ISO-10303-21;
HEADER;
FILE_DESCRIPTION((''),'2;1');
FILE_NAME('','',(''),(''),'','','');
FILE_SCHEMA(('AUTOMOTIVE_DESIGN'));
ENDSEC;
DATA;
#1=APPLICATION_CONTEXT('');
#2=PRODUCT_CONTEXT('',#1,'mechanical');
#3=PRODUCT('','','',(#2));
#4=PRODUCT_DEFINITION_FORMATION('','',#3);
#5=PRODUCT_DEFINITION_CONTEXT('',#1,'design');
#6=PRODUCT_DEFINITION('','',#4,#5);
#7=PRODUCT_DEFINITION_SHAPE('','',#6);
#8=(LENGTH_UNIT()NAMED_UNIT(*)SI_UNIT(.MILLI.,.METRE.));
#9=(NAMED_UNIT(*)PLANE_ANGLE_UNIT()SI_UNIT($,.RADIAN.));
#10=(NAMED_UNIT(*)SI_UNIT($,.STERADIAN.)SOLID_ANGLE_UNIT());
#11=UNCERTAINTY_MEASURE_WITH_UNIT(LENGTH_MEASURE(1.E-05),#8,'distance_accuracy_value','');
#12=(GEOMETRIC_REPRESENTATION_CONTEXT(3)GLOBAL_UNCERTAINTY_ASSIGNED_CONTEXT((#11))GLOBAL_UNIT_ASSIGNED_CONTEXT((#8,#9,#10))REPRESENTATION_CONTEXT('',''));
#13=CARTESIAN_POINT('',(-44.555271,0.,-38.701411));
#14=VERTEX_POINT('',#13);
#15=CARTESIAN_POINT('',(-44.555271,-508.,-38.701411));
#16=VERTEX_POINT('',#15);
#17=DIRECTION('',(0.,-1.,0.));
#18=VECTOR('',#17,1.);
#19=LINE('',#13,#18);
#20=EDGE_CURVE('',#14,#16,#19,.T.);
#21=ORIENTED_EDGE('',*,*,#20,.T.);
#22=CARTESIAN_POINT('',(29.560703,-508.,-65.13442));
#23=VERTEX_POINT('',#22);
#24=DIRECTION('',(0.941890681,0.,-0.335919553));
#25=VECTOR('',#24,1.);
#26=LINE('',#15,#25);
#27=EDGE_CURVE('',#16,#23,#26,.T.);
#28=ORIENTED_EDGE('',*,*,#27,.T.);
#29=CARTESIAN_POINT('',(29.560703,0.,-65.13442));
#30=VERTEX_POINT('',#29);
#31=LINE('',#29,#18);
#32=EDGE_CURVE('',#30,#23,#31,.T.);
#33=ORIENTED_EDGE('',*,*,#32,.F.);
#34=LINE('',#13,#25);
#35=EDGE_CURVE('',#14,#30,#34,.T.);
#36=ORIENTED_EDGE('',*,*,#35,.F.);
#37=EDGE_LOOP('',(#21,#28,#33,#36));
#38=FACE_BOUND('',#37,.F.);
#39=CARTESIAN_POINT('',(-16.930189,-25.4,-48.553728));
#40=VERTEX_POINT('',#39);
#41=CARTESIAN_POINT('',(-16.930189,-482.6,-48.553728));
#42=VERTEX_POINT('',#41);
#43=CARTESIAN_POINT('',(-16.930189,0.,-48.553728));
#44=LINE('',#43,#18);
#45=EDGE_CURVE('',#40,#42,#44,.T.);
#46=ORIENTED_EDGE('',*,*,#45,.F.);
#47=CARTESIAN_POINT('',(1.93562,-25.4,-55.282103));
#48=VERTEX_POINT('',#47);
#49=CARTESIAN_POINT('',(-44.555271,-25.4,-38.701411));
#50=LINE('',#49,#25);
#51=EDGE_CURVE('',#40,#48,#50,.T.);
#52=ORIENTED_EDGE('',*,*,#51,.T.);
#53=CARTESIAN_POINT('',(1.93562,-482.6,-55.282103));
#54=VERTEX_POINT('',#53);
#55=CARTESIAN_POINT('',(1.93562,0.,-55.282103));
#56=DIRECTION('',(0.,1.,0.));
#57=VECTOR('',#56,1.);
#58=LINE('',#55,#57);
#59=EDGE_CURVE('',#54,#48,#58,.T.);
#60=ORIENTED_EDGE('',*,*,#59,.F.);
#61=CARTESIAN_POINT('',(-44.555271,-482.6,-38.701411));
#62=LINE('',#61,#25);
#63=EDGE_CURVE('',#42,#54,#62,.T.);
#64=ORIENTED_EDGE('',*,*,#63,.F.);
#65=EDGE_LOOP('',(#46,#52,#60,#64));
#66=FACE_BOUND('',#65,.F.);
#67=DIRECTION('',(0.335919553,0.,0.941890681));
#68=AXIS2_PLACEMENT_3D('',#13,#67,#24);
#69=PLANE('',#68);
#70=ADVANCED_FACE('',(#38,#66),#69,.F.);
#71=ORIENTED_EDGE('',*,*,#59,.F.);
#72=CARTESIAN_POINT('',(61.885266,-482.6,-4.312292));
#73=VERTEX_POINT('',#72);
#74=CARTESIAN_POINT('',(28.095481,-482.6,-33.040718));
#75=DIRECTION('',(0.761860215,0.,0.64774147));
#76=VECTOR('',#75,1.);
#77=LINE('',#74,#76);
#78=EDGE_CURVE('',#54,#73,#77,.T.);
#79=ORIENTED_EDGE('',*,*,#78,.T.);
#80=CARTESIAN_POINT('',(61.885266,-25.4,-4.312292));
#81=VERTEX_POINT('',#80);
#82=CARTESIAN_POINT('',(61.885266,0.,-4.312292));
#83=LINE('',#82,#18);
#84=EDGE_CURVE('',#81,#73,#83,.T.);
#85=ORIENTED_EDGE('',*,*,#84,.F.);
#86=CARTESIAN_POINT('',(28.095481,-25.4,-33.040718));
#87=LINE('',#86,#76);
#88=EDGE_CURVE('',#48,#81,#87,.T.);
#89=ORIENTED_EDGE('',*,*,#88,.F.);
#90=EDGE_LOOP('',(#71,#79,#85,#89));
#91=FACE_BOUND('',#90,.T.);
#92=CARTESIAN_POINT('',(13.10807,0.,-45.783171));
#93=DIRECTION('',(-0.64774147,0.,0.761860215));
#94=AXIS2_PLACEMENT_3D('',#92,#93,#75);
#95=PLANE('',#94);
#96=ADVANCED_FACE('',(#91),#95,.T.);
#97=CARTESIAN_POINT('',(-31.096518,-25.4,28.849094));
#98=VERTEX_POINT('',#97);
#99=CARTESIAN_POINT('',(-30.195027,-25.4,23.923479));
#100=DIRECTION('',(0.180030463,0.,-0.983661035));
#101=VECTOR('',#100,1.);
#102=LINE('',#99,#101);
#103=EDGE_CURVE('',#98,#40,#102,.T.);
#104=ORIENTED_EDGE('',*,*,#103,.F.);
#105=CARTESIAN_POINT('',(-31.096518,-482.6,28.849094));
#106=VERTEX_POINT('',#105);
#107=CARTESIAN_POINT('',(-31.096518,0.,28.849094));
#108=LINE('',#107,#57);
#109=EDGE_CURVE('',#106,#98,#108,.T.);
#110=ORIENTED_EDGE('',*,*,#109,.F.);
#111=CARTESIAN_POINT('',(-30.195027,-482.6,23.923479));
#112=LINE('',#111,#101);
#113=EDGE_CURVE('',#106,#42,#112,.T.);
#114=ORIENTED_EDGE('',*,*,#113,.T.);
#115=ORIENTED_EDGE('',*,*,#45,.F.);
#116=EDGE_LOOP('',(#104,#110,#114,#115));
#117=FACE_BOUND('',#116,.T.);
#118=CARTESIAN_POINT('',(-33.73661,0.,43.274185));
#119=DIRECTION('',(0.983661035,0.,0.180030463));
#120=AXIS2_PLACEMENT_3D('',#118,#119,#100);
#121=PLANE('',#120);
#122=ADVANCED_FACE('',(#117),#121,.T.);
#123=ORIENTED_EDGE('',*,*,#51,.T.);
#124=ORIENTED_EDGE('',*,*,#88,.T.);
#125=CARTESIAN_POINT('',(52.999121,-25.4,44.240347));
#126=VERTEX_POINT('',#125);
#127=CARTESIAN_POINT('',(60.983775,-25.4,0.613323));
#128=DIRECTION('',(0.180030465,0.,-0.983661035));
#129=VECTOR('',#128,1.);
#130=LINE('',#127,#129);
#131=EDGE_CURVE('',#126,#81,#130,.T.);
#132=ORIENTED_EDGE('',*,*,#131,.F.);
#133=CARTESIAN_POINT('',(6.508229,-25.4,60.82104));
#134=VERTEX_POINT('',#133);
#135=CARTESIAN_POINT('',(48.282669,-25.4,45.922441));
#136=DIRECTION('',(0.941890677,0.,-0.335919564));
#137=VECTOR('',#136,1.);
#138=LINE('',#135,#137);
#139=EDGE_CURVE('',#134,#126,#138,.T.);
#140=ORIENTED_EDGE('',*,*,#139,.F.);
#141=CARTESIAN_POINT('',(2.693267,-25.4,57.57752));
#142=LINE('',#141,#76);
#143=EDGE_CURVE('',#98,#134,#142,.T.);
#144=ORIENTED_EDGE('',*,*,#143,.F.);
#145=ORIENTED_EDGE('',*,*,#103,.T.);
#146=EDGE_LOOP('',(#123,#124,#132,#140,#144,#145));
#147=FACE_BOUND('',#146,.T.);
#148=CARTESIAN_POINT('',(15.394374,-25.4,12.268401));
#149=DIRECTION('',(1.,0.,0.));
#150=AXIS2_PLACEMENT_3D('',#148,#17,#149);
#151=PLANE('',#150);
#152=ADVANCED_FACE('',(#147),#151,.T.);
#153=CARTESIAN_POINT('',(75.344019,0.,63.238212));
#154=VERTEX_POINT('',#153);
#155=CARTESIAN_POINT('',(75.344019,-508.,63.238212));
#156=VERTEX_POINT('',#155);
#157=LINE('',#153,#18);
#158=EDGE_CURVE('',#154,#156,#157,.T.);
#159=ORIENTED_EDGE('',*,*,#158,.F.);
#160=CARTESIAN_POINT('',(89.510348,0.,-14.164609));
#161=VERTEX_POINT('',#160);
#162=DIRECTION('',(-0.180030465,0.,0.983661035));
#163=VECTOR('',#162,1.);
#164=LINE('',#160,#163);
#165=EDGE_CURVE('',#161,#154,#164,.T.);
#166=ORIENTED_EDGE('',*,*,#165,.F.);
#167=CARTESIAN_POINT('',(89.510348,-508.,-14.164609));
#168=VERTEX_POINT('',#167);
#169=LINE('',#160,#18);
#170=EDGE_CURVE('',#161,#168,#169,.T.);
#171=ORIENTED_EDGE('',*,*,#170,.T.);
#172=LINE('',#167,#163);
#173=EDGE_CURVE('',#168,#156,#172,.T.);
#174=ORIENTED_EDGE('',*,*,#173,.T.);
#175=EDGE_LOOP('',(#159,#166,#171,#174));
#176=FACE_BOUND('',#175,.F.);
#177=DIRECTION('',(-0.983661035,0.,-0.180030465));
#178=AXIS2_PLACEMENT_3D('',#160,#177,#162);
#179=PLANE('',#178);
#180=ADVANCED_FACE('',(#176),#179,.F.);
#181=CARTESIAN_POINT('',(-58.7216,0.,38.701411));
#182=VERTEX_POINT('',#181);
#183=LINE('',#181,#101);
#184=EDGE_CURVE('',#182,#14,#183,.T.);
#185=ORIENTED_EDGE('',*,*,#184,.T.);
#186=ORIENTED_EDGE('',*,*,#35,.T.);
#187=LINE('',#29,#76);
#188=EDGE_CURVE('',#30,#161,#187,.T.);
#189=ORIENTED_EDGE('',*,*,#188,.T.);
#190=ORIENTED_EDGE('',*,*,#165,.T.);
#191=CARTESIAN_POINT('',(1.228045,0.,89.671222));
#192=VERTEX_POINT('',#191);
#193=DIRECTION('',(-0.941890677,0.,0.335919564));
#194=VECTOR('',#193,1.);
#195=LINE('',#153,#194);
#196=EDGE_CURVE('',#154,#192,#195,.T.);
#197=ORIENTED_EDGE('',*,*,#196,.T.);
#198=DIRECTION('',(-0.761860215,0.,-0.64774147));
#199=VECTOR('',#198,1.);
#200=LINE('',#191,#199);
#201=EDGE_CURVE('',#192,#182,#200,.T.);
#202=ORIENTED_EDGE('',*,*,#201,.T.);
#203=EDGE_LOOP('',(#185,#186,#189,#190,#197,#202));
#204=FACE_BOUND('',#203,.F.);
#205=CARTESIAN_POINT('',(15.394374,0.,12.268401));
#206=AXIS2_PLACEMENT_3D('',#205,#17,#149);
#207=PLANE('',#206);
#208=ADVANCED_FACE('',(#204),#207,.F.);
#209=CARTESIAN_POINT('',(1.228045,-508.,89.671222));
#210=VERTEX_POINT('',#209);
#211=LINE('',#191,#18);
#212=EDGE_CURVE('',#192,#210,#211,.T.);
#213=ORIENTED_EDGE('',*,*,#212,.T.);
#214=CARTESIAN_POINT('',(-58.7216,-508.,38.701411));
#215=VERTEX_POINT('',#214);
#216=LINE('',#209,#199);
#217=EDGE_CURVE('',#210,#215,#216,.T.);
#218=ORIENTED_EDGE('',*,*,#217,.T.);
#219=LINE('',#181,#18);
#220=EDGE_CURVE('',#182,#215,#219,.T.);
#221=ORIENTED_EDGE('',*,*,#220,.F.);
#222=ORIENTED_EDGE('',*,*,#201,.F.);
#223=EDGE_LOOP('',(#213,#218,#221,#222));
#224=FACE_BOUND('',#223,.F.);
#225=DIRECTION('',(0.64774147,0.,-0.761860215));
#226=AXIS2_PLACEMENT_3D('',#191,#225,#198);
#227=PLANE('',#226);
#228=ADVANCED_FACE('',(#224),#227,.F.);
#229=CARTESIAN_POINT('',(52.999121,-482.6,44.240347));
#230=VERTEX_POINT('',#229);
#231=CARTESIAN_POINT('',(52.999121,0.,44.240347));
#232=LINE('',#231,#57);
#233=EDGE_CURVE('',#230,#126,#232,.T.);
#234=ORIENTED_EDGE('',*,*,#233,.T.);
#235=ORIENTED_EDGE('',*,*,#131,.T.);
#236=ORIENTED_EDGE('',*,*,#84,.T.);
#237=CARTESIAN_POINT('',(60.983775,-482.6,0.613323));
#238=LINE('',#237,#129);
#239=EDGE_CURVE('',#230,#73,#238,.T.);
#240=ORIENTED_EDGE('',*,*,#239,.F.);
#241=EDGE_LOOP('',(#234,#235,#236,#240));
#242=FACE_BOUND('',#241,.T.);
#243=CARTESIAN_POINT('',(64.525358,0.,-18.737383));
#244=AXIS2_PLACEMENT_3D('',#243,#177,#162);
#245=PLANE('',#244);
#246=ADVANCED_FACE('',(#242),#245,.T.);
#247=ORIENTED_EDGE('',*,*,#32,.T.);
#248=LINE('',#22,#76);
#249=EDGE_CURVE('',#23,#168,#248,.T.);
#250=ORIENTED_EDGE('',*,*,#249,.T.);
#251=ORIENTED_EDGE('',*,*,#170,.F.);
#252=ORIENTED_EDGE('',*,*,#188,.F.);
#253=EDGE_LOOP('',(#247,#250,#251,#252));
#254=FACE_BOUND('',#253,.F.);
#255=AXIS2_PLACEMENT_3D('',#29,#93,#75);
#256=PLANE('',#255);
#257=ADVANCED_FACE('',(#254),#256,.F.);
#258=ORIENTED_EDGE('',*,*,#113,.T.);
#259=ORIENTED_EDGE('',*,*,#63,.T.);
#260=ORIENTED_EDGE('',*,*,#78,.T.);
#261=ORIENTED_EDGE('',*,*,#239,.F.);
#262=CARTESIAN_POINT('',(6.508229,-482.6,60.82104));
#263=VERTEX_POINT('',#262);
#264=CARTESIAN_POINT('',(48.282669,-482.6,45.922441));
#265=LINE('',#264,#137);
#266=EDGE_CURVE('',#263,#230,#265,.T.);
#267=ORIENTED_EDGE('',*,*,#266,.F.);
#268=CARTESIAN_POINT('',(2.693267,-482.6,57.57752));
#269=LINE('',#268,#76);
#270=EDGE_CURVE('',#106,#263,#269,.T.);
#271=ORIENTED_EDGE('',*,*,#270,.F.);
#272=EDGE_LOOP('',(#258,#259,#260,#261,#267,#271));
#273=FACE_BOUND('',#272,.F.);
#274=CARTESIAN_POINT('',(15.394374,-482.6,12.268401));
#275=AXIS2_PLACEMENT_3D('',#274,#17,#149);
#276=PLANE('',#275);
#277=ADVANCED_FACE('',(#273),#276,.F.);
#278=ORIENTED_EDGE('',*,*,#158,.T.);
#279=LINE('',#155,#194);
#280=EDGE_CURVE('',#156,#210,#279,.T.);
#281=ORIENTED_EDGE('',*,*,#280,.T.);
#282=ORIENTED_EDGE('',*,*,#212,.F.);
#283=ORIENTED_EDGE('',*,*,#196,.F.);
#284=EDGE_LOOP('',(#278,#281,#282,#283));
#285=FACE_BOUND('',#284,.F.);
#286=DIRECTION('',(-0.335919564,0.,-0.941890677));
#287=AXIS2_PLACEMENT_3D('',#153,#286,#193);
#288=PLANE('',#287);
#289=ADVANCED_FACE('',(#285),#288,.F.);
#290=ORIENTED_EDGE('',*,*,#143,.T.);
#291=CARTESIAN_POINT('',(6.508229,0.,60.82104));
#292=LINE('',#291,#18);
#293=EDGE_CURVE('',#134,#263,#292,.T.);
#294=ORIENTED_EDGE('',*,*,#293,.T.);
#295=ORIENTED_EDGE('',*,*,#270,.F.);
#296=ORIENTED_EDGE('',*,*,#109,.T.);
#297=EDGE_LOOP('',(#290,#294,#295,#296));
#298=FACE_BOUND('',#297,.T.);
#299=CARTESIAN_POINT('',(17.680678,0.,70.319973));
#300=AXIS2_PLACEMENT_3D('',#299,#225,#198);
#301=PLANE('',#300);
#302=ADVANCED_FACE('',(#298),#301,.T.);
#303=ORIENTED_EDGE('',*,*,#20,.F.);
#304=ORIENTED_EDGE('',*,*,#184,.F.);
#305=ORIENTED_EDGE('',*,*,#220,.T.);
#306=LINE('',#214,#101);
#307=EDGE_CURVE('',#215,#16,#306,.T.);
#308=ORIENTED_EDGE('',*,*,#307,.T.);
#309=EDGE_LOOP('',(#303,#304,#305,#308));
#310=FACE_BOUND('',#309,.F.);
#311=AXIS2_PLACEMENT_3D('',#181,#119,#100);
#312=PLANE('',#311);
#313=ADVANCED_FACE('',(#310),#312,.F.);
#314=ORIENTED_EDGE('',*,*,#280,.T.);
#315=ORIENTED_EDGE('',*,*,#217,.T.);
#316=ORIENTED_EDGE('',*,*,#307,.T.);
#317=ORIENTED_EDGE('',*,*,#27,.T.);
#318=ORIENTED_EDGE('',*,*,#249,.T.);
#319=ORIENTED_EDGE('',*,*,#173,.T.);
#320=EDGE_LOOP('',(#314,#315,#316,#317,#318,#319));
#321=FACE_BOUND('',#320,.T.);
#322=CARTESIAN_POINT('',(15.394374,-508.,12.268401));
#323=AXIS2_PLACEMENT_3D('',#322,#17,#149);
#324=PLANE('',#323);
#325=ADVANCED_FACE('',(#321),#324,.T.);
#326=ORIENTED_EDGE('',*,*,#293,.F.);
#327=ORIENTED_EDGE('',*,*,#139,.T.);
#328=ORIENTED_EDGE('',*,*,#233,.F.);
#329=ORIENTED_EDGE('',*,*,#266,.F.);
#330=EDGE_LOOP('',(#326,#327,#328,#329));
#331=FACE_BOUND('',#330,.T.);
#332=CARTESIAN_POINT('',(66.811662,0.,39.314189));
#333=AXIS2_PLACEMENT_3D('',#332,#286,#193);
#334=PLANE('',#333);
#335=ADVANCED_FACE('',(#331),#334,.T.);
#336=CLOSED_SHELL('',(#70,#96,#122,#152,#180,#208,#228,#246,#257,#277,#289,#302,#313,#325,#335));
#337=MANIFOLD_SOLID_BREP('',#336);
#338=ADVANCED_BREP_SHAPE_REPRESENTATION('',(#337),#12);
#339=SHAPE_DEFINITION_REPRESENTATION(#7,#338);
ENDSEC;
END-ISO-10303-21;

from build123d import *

# Parameters (mm, degrees)
F1_DEPTH = 508
F2_T     = -25.4


with BuildPart() as f1:
    # F0 (on Front) → F1 (new body)
    with BuildSketch(Plane.XZ):
        Polygon((-58.7216, 38.701411), (-44.555271, -38.701411), (29.560703, -65.13442), (89.510348, -14.164609), (75.344019, 63.238212), (1.228045, 89.671222), align=None)
    extrude(amount=F1_DEPTH)

    # F2
    f2_openings = [f1.faces().sort_by_distance(p)[0] for p in [
        (-7.497284, -254, -51.917915),
    ]]
    offset(amount=F2_T, openings=f2_openings)


solid = f1.part
